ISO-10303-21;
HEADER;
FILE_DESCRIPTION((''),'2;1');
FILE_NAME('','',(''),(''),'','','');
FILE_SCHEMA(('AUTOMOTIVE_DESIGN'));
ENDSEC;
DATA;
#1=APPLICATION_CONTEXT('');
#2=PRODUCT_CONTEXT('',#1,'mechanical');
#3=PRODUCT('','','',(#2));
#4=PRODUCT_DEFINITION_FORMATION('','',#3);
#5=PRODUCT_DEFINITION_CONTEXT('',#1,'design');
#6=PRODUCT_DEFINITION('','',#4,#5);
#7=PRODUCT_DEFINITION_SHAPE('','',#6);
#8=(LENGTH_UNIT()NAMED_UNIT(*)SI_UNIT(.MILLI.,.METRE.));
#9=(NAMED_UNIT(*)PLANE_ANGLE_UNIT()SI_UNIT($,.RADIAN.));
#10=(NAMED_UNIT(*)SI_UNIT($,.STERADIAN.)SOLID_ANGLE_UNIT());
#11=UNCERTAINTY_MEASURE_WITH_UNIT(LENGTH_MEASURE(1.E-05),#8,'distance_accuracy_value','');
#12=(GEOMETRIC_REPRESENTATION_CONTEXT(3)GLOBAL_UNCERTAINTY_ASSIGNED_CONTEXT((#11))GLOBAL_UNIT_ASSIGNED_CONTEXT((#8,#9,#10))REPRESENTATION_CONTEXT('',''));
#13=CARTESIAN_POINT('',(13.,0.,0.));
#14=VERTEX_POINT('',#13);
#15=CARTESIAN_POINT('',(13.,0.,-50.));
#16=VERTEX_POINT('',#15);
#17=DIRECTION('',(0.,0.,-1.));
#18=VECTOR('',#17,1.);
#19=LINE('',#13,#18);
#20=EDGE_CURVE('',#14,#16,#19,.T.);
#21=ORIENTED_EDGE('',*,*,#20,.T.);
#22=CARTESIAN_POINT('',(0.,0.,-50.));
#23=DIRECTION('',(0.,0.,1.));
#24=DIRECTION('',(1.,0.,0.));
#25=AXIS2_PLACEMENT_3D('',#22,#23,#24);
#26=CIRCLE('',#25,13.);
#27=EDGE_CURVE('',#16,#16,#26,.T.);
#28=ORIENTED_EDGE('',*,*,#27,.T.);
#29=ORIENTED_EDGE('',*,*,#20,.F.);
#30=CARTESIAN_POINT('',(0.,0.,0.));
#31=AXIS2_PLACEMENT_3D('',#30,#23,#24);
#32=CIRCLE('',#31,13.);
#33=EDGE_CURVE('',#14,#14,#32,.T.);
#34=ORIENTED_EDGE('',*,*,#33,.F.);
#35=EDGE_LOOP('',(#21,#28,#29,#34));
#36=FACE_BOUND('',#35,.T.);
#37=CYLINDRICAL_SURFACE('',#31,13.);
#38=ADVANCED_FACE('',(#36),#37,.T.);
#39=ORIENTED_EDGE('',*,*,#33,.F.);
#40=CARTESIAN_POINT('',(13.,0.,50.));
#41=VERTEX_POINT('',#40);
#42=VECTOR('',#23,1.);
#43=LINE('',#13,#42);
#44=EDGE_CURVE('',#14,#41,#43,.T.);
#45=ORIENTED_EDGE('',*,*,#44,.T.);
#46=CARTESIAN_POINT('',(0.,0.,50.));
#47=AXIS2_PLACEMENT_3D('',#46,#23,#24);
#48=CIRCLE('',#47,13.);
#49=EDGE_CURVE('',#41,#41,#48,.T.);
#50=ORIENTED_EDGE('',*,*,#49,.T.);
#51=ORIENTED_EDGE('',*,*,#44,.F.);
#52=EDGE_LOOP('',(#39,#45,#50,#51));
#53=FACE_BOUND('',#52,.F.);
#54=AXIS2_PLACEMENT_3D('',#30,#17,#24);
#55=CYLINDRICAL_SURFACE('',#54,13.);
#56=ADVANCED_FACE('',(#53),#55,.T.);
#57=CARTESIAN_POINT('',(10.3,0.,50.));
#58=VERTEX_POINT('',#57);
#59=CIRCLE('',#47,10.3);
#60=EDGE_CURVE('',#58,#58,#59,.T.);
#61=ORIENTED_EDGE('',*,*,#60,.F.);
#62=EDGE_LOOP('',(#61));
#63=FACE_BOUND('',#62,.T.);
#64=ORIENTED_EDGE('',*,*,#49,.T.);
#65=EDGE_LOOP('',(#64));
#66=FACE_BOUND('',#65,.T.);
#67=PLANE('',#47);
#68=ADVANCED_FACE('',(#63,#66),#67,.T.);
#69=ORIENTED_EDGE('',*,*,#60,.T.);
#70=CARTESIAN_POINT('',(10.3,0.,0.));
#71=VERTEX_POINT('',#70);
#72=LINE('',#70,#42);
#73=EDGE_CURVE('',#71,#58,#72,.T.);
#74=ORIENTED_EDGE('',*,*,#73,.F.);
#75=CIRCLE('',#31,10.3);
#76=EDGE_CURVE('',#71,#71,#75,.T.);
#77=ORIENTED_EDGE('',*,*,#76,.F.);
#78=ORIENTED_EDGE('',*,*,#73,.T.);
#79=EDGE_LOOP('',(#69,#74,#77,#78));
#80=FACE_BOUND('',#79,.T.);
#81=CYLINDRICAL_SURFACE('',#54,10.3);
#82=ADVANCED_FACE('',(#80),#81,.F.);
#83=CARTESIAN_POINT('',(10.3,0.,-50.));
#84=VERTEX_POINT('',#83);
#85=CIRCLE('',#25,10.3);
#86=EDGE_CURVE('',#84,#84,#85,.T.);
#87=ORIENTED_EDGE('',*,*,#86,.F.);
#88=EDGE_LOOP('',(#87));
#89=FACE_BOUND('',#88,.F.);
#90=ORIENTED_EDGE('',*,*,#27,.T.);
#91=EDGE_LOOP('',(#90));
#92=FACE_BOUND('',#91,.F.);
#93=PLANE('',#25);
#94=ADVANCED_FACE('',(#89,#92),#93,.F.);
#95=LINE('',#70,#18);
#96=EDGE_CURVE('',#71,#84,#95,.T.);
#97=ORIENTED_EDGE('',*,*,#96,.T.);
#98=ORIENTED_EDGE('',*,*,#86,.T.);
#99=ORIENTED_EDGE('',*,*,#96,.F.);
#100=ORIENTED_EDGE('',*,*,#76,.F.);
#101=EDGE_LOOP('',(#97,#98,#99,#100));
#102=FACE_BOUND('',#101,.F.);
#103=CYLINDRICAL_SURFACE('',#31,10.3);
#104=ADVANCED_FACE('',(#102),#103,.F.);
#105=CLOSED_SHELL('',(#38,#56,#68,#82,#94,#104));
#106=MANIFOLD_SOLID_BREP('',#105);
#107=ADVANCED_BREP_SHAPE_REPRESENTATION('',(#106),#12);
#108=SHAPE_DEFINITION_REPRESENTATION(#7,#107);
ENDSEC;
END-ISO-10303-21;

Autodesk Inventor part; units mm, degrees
ref_plane "YZ Plane" through (0, 0, 0) normal (1, 0, 0) x (0, 1, 0)
sketch "Sketch1" plane through (0, 0, 0) normal (0, 0, 1) x (1, 0, 0)
  circle A0 centre (0, 0) radius 13
  circle A1 centre (0, 0) radius 10.3
  dimension "d0" = 26
  dimension "d1" = 2.7
extrude "Extrusion1" add sketch "Sketch1" along normal mid plane 100
properties part number "Elbow and Tee conector"
